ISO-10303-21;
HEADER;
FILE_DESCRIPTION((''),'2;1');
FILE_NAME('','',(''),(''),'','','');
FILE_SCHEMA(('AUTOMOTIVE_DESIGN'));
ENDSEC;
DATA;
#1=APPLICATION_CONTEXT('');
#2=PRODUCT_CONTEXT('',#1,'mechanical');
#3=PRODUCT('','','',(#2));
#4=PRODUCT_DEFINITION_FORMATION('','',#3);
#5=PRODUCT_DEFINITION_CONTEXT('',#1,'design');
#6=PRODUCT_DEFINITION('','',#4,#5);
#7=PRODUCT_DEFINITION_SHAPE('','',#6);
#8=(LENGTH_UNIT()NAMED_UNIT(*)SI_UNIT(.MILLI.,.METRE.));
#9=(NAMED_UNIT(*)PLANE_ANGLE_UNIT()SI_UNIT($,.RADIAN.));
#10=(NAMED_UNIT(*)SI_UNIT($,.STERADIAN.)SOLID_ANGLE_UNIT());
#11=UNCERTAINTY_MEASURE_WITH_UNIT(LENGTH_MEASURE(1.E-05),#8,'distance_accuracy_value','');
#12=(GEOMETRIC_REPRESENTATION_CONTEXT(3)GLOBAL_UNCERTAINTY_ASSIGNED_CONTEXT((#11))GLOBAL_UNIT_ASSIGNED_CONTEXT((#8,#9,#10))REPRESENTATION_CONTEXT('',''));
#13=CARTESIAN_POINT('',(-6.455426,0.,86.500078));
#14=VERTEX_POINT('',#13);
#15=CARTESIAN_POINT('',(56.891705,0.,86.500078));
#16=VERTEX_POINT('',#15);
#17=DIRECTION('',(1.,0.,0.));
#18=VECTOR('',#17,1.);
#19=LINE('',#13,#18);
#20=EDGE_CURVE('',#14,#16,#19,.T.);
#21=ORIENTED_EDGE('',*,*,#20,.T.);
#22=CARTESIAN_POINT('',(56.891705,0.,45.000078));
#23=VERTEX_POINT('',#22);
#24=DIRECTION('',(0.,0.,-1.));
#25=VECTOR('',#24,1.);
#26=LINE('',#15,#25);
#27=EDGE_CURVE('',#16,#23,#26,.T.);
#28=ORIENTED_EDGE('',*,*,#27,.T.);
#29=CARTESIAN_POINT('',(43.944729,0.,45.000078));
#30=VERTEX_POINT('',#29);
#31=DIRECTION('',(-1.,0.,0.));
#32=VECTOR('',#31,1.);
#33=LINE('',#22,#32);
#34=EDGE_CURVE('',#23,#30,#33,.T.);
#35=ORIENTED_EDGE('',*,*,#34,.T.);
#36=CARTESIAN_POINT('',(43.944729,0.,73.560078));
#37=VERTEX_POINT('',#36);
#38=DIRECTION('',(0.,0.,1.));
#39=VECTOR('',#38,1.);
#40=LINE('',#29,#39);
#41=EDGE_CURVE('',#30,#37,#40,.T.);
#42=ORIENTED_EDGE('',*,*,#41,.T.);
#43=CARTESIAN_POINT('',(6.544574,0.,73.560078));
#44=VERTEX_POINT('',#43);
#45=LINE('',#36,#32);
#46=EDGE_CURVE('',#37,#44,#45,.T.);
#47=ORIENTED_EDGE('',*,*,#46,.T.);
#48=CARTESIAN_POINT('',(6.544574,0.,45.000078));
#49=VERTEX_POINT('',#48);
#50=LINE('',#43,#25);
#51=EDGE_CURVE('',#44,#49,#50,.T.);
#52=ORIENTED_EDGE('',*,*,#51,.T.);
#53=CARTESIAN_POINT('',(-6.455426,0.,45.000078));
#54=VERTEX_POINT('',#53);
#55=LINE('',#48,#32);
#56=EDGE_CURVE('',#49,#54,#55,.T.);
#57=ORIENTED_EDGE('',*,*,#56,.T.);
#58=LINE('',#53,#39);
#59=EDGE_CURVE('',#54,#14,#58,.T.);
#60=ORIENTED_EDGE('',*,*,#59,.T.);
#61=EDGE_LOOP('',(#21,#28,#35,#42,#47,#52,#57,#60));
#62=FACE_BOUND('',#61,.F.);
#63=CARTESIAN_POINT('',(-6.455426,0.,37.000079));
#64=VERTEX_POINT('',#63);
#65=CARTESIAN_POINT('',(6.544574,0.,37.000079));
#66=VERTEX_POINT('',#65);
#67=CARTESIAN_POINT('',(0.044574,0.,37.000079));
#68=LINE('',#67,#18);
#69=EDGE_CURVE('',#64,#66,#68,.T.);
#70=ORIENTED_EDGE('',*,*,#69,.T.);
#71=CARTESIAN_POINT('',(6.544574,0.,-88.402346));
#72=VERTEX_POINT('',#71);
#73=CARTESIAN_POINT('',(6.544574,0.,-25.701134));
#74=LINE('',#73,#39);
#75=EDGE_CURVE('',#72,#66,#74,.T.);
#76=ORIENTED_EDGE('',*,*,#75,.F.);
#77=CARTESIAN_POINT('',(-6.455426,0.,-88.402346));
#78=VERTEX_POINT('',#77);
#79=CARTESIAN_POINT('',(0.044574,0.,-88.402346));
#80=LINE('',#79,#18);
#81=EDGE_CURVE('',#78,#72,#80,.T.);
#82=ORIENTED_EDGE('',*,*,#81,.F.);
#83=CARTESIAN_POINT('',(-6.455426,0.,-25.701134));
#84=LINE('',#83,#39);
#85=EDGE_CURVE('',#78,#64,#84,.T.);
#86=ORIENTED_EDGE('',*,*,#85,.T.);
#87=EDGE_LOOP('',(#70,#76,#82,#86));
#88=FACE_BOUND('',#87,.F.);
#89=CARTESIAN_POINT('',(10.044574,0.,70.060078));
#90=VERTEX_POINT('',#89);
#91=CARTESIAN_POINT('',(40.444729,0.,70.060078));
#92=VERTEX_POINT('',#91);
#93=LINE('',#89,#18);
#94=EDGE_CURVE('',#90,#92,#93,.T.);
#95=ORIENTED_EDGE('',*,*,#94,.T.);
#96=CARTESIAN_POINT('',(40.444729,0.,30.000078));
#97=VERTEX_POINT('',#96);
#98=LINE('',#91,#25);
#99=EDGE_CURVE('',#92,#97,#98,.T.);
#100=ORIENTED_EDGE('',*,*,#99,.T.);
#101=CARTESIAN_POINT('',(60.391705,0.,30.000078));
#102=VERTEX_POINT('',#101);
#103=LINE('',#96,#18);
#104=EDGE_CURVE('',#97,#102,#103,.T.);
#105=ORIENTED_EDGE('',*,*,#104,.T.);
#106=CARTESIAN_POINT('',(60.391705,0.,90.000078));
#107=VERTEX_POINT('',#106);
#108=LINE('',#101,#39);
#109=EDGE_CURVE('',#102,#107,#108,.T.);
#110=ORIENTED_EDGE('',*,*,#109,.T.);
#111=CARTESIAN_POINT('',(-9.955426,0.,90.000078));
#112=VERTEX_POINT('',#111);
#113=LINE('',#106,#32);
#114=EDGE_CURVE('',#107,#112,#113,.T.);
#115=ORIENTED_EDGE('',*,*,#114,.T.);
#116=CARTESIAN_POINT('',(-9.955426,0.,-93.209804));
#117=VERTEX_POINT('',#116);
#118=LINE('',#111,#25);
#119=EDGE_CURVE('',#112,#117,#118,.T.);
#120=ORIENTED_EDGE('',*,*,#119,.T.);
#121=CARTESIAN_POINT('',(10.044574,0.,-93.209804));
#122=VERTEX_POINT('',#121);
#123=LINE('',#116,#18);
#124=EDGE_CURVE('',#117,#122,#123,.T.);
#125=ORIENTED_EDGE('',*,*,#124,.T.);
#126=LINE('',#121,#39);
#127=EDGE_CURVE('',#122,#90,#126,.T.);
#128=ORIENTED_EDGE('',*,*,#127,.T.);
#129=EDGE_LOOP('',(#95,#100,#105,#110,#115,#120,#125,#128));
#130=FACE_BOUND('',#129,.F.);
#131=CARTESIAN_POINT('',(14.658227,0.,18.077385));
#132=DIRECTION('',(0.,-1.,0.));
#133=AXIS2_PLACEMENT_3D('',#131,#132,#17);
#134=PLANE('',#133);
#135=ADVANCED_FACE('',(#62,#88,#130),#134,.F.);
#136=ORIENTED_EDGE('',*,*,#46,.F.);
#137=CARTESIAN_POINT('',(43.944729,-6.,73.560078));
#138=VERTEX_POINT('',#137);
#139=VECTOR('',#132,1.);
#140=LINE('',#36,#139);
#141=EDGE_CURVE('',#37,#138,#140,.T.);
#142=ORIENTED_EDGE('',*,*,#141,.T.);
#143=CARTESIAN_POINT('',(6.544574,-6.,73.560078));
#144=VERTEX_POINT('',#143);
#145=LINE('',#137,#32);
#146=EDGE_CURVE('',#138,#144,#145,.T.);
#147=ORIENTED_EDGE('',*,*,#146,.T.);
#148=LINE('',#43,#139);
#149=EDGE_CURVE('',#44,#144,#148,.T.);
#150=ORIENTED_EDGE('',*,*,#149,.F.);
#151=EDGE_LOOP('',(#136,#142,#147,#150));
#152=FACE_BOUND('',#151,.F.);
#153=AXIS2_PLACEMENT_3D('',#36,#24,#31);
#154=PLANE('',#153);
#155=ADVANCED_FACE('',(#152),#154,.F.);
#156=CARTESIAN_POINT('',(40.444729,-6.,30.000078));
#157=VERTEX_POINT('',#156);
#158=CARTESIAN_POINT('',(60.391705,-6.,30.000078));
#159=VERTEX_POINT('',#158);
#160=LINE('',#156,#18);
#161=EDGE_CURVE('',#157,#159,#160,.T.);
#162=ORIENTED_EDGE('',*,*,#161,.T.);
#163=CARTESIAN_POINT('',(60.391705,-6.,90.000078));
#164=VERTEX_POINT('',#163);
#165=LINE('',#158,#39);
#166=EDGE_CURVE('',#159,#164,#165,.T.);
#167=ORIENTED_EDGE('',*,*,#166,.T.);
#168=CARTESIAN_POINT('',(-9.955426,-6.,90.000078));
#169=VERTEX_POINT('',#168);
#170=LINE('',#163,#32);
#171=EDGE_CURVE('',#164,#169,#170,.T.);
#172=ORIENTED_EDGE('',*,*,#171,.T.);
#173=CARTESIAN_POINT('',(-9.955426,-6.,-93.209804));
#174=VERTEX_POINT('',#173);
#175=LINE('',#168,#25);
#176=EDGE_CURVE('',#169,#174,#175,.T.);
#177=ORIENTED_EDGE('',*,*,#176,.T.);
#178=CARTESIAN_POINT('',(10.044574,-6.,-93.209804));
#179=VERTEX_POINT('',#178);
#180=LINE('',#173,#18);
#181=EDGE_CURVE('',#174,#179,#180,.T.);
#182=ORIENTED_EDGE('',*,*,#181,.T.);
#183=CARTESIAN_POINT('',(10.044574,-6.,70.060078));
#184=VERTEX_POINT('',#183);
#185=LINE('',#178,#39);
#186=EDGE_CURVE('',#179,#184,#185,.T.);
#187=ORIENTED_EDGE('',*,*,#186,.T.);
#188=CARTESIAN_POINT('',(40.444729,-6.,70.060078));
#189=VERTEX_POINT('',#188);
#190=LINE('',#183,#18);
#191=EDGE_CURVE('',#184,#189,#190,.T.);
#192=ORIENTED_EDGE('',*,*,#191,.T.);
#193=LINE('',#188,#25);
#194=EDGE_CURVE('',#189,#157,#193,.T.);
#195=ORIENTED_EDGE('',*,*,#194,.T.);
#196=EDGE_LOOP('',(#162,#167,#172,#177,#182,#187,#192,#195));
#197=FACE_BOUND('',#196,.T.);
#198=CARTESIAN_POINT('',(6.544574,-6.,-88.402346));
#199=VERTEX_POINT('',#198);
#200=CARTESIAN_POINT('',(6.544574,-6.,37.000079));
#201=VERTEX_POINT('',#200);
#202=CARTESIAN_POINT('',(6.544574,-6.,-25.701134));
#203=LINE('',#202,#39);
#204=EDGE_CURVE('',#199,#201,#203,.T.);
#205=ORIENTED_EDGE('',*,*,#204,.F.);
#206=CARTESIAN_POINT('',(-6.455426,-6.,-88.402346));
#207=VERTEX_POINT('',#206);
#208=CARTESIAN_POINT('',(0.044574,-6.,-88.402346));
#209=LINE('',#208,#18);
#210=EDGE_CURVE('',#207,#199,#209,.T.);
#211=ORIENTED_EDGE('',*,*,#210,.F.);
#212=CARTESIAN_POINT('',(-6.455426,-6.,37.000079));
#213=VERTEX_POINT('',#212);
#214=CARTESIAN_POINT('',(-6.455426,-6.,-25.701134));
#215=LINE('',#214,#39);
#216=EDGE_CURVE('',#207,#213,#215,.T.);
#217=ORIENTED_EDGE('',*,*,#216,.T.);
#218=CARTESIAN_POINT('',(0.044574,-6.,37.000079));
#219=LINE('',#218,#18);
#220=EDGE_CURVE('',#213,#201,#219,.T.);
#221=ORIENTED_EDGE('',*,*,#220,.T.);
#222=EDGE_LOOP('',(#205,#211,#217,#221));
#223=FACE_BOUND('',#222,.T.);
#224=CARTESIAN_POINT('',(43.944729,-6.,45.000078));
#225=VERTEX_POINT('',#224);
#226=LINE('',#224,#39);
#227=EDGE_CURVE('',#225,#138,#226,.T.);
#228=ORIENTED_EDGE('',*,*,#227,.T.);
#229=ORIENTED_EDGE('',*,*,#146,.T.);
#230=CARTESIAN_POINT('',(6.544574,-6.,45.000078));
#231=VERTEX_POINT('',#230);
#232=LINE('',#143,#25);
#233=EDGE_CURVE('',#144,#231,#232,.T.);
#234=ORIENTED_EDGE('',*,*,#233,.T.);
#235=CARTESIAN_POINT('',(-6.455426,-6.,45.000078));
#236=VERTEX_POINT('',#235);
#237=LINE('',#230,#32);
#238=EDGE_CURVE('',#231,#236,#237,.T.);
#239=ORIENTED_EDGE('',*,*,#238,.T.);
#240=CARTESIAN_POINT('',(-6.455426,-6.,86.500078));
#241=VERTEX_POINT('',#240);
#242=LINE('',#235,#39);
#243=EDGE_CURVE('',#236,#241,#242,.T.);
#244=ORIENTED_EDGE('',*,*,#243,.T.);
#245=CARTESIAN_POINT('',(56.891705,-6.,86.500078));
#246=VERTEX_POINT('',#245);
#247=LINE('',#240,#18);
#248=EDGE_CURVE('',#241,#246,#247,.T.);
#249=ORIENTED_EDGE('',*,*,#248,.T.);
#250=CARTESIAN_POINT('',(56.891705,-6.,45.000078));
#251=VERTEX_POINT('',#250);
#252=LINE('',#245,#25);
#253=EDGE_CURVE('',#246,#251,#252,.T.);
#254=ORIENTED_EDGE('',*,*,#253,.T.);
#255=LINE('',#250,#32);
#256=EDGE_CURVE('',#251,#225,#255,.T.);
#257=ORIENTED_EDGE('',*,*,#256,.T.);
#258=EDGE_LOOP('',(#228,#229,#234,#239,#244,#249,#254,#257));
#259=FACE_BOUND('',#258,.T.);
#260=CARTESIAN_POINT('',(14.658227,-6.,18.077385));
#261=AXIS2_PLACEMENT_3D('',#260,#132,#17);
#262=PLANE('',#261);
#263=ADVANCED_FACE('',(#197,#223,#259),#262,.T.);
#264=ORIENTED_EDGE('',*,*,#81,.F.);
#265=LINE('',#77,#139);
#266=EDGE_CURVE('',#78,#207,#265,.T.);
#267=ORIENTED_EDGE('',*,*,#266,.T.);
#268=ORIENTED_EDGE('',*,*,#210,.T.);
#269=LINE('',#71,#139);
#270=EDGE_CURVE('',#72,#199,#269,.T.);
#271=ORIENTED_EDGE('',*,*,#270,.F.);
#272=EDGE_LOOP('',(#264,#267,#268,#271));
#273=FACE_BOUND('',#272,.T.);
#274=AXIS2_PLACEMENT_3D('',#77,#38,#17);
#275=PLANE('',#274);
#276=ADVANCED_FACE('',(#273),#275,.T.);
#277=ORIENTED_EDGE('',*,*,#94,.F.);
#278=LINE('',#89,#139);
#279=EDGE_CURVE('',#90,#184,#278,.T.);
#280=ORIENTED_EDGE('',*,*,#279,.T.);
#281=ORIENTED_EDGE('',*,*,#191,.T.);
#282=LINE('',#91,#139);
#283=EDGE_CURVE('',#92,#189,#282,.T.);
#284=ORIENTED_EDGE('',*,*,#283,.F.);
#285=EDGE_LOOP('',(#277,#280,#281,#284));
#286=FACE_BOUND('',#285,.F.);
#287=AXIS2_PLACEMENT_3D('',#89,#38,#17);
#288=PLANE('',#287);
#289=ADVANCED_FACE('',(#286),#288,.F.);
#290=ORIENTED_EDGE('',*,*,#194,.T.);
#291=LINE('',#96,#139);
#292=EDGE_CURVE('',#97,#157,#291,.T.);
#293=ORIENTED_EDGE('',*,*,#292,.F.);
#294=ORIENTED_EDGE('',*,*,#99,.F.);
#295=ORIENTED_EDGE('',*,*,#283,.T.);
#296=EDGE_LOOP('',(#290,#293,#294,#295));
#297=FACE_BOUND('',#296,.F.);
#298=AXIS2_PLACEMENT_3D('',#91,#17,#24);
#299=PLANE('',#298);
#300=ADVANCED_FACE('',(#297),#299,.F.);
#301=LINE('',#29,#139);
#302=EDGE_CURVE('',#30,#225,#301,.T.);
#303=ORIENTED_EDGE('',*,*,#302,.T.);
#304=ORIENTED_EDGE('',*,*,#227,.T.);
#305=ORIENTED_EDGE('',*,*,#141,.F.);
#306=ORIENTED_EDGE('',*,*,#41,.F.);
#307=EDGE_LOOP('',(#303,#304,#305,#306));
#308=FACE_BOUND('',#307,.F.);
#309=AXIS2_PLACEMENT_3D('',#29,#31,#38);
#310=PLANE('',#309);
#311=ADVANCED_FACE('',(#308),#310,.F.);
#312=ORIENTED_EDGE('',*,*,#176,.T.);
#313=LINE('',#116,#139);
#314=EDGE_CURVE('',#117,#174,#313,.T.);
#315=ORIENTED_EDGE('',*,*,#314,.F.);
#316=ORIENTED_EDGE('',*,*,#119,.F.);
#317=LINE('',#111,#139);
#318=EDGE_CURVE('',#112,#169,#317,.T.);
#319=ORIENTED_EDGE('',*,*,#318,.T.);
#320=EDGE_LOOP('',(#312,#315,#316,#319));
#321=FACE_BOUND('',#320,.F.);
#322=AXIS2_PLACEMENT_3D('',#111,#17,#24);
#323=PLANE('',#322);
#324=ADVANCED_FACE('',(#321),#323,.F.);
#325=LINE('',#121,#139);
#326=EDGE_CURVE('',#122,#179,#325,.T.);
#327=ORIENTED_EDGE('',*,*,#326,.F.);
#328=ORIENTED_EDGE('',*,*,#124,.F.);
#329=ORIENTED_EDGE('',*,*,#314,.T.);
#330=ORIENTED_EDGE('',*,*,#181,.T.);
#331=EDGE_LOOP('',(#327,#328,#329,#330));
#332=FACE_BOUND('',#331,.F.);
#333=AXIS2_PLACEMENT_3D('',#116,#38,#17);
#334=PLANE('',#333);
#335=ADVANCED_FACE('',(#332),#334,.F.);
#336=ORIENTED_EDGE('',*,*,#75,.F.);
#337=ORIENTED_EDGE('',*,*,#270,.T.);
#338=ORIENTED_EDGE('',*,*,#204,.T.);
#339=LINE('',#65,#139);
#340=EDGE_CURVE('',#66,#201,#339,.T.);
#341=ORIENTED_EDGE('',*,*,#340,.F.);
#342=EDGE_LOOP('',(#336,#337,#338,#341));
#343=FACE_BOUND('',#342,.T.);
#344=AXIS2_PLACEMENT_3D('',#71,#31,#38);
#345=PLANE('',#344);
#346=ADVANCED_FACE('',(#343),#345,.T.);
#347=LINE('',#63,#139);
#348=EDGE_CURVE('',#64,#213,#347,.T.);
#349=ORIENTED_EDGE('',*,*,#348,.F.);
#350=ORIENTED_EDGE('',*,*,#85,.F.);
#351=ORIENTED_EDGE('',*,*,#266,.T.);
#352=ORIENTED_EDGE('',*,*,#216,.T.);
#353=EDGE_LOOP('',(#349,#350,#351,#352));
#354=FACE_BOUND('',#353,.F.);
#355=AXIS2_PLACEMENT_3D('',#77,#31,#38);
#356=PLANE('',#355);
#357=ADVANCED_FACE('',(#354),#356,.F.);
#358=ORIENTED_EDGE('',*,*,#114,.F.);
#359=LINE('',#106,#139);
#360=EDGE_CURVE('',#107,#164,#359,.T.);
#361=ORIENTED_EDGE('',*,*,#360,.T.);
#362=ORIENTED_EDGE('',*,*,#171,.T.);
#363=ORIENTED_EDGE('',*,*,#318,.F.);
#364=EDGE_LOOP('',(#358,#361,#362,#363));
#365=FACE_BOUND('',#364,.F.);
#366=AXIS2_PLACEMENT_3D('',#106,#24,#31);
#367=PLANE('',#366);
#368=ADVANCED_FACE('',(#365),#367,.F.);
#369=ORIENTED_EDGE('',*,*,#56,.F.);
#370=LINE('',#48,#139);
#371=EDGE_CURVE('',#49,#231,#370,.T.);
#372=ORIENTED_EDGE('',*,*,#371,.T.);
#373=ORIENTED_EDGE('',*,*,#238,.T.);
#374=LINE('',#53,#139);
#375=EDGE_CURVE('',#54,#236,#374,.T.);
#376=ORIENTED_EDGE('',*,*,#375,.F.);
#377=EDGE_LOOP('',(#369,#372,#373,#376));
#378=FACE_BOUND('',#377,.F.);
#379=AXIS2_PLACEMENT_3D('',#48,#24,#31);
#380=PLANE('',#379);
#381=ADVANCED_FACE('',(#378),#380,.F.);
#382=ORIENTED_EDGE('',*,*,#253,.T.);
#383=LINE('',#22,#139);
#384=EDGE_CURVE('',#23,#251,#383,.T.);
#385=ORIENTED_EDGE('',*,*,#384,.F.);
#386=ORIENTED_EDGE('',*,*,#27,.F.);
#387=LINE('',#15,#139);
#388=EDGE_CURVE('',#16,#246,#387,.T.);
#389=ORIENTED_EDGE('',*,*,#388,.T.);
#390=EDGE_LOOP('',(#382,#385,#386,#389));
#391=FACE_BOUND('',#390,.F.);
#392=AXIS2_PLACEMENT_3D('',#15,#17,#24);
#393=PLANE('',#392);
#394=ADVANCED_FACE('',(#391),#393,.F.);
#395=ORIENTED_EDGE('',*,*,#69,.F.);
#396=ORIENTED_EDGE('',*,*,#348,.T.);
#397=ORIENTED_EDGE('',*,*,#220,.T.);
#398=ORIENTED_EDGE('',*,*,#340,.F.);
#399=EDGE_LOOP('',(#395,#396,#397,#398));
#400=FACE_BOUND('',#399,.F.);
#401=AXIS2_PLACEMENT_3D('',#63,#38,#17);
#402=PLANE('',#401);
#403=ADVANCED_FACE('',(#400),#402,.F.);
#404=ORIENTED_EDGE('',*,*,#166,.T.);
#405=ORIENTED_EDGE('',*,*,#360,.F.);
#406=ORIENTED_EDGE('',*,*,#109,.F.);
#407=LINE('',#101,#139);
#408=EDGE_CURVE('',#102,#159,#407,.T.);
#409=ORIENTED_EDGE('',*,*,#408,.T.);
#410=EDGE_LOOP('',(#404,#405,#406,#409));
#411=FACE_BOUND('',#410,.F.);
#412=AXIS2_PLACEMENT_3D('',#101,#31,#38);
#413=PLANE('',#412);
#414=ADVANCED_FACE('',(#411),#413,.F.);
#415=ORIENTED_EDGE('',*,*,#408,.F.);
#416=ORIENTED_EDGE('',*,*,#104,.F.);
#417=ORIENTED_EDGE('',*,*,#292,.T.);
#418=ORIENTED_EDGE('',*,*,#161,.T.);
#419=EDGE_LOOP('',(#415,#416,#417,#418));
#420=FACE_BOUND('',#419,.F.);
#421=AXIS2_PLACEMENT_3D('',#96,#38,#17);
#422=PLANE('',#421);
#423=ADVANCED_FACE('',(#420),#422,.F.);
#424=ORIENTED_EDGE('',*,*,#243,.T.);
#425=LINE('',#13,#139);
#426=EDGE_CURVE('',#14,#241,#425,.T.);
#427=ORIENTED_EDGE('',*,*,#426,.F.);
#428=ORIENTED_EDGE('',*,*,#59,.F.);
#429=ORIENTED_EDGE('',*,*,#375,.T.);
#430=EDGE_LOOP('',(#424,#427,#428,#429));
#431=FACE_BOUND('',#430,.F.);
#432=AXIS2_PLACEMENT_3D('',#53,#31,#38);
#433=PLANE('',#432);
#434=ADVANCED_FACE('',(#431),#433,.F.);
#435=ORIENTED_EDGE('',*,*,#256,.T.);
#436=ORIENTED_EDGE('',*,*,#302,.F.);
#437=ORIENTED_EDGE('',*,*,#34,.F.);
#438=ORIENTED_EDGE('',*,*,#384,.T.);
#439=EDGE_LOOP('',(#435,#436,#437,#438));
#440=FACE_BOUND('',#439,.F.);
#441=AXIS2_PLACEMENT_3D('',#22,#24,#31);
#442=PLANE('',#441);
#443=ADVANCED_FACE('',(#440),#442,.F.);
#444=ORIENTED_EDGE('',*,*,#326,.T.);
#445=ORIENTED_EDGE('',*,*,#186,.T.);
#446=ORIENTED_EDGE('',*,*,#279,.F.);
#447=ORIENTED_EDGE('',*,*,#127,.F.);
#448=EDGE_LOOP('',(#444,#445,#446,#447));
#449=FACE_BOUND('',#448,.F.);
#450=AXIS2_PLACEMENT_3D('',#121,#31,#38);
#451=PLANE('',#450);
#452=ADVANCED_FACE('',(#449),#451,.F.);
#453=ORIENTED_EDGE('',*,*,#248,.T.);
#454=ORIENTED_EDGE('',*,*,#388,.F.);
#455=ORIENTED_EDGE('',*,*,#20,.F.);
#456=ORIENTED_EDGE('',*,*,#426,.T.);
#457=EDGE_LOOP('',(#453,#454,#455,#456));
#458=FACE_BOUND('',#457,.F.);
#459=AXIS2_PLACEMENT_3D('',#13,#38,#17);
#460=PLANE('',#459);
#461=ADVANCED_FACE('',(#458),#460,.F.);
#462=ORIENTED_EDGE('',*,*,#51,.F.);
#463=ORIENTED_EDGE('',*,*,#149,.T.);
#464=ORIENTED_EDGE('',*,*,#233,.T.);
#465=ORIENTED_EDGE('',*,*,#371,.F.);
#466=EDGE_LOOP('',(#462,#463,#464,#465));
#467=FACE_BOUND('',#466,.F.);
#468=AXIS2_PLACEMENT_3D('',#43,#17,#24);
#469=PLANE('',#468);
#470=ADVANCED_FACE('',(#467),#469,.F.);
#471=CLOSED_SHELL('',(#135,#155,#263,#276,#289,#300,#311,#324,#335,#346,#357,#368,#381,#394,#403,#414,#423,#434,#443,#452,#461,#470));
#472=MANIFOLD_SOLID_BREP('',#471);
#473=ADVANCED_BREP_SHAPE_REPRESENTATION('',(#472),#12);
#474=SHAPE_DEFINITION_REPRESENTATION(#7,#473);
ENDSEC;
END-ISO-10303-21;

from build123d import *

# Parameters (mm, degrees)
F0_W     = 13
F0_H     = 125.402425
F1_DEPTH = 6


with BuildPart() as f1:
    # F0 (on Front) → F1 (new body)
    with BuildSketch(Plane.XZ):
        Polygon((60.391705, 30.000078), (60.391705, 90.000078), (-9.955426, 90.000078), (-9.955426, -93.209804), (10.044574, -93.209804), (10.044574, 70.060078), (40.444729, 70.060078), (40.444729, 30.000078), align=None)
        with Locations((0.044574, -25.701134)):
            Rectangle(F0_W, F0_H, mode=Mode.SUBTRACT)
        Polygon((6.544574, 45.000078), (-6.455426, 45.000078), (-6.455426, 73.97807), (-6.455426, 86.500078), (56.891705, 86.500078), (56.891705, 73.97807), (56.891705, 45.000078), (43.944729, 45.000078), (43.944729, 73.560078), (6.544574, 73.560078), align=None, mode=Mode.SUBTRACT)
    extrude(amount=F1_DEPTH)


solid = f1.part
